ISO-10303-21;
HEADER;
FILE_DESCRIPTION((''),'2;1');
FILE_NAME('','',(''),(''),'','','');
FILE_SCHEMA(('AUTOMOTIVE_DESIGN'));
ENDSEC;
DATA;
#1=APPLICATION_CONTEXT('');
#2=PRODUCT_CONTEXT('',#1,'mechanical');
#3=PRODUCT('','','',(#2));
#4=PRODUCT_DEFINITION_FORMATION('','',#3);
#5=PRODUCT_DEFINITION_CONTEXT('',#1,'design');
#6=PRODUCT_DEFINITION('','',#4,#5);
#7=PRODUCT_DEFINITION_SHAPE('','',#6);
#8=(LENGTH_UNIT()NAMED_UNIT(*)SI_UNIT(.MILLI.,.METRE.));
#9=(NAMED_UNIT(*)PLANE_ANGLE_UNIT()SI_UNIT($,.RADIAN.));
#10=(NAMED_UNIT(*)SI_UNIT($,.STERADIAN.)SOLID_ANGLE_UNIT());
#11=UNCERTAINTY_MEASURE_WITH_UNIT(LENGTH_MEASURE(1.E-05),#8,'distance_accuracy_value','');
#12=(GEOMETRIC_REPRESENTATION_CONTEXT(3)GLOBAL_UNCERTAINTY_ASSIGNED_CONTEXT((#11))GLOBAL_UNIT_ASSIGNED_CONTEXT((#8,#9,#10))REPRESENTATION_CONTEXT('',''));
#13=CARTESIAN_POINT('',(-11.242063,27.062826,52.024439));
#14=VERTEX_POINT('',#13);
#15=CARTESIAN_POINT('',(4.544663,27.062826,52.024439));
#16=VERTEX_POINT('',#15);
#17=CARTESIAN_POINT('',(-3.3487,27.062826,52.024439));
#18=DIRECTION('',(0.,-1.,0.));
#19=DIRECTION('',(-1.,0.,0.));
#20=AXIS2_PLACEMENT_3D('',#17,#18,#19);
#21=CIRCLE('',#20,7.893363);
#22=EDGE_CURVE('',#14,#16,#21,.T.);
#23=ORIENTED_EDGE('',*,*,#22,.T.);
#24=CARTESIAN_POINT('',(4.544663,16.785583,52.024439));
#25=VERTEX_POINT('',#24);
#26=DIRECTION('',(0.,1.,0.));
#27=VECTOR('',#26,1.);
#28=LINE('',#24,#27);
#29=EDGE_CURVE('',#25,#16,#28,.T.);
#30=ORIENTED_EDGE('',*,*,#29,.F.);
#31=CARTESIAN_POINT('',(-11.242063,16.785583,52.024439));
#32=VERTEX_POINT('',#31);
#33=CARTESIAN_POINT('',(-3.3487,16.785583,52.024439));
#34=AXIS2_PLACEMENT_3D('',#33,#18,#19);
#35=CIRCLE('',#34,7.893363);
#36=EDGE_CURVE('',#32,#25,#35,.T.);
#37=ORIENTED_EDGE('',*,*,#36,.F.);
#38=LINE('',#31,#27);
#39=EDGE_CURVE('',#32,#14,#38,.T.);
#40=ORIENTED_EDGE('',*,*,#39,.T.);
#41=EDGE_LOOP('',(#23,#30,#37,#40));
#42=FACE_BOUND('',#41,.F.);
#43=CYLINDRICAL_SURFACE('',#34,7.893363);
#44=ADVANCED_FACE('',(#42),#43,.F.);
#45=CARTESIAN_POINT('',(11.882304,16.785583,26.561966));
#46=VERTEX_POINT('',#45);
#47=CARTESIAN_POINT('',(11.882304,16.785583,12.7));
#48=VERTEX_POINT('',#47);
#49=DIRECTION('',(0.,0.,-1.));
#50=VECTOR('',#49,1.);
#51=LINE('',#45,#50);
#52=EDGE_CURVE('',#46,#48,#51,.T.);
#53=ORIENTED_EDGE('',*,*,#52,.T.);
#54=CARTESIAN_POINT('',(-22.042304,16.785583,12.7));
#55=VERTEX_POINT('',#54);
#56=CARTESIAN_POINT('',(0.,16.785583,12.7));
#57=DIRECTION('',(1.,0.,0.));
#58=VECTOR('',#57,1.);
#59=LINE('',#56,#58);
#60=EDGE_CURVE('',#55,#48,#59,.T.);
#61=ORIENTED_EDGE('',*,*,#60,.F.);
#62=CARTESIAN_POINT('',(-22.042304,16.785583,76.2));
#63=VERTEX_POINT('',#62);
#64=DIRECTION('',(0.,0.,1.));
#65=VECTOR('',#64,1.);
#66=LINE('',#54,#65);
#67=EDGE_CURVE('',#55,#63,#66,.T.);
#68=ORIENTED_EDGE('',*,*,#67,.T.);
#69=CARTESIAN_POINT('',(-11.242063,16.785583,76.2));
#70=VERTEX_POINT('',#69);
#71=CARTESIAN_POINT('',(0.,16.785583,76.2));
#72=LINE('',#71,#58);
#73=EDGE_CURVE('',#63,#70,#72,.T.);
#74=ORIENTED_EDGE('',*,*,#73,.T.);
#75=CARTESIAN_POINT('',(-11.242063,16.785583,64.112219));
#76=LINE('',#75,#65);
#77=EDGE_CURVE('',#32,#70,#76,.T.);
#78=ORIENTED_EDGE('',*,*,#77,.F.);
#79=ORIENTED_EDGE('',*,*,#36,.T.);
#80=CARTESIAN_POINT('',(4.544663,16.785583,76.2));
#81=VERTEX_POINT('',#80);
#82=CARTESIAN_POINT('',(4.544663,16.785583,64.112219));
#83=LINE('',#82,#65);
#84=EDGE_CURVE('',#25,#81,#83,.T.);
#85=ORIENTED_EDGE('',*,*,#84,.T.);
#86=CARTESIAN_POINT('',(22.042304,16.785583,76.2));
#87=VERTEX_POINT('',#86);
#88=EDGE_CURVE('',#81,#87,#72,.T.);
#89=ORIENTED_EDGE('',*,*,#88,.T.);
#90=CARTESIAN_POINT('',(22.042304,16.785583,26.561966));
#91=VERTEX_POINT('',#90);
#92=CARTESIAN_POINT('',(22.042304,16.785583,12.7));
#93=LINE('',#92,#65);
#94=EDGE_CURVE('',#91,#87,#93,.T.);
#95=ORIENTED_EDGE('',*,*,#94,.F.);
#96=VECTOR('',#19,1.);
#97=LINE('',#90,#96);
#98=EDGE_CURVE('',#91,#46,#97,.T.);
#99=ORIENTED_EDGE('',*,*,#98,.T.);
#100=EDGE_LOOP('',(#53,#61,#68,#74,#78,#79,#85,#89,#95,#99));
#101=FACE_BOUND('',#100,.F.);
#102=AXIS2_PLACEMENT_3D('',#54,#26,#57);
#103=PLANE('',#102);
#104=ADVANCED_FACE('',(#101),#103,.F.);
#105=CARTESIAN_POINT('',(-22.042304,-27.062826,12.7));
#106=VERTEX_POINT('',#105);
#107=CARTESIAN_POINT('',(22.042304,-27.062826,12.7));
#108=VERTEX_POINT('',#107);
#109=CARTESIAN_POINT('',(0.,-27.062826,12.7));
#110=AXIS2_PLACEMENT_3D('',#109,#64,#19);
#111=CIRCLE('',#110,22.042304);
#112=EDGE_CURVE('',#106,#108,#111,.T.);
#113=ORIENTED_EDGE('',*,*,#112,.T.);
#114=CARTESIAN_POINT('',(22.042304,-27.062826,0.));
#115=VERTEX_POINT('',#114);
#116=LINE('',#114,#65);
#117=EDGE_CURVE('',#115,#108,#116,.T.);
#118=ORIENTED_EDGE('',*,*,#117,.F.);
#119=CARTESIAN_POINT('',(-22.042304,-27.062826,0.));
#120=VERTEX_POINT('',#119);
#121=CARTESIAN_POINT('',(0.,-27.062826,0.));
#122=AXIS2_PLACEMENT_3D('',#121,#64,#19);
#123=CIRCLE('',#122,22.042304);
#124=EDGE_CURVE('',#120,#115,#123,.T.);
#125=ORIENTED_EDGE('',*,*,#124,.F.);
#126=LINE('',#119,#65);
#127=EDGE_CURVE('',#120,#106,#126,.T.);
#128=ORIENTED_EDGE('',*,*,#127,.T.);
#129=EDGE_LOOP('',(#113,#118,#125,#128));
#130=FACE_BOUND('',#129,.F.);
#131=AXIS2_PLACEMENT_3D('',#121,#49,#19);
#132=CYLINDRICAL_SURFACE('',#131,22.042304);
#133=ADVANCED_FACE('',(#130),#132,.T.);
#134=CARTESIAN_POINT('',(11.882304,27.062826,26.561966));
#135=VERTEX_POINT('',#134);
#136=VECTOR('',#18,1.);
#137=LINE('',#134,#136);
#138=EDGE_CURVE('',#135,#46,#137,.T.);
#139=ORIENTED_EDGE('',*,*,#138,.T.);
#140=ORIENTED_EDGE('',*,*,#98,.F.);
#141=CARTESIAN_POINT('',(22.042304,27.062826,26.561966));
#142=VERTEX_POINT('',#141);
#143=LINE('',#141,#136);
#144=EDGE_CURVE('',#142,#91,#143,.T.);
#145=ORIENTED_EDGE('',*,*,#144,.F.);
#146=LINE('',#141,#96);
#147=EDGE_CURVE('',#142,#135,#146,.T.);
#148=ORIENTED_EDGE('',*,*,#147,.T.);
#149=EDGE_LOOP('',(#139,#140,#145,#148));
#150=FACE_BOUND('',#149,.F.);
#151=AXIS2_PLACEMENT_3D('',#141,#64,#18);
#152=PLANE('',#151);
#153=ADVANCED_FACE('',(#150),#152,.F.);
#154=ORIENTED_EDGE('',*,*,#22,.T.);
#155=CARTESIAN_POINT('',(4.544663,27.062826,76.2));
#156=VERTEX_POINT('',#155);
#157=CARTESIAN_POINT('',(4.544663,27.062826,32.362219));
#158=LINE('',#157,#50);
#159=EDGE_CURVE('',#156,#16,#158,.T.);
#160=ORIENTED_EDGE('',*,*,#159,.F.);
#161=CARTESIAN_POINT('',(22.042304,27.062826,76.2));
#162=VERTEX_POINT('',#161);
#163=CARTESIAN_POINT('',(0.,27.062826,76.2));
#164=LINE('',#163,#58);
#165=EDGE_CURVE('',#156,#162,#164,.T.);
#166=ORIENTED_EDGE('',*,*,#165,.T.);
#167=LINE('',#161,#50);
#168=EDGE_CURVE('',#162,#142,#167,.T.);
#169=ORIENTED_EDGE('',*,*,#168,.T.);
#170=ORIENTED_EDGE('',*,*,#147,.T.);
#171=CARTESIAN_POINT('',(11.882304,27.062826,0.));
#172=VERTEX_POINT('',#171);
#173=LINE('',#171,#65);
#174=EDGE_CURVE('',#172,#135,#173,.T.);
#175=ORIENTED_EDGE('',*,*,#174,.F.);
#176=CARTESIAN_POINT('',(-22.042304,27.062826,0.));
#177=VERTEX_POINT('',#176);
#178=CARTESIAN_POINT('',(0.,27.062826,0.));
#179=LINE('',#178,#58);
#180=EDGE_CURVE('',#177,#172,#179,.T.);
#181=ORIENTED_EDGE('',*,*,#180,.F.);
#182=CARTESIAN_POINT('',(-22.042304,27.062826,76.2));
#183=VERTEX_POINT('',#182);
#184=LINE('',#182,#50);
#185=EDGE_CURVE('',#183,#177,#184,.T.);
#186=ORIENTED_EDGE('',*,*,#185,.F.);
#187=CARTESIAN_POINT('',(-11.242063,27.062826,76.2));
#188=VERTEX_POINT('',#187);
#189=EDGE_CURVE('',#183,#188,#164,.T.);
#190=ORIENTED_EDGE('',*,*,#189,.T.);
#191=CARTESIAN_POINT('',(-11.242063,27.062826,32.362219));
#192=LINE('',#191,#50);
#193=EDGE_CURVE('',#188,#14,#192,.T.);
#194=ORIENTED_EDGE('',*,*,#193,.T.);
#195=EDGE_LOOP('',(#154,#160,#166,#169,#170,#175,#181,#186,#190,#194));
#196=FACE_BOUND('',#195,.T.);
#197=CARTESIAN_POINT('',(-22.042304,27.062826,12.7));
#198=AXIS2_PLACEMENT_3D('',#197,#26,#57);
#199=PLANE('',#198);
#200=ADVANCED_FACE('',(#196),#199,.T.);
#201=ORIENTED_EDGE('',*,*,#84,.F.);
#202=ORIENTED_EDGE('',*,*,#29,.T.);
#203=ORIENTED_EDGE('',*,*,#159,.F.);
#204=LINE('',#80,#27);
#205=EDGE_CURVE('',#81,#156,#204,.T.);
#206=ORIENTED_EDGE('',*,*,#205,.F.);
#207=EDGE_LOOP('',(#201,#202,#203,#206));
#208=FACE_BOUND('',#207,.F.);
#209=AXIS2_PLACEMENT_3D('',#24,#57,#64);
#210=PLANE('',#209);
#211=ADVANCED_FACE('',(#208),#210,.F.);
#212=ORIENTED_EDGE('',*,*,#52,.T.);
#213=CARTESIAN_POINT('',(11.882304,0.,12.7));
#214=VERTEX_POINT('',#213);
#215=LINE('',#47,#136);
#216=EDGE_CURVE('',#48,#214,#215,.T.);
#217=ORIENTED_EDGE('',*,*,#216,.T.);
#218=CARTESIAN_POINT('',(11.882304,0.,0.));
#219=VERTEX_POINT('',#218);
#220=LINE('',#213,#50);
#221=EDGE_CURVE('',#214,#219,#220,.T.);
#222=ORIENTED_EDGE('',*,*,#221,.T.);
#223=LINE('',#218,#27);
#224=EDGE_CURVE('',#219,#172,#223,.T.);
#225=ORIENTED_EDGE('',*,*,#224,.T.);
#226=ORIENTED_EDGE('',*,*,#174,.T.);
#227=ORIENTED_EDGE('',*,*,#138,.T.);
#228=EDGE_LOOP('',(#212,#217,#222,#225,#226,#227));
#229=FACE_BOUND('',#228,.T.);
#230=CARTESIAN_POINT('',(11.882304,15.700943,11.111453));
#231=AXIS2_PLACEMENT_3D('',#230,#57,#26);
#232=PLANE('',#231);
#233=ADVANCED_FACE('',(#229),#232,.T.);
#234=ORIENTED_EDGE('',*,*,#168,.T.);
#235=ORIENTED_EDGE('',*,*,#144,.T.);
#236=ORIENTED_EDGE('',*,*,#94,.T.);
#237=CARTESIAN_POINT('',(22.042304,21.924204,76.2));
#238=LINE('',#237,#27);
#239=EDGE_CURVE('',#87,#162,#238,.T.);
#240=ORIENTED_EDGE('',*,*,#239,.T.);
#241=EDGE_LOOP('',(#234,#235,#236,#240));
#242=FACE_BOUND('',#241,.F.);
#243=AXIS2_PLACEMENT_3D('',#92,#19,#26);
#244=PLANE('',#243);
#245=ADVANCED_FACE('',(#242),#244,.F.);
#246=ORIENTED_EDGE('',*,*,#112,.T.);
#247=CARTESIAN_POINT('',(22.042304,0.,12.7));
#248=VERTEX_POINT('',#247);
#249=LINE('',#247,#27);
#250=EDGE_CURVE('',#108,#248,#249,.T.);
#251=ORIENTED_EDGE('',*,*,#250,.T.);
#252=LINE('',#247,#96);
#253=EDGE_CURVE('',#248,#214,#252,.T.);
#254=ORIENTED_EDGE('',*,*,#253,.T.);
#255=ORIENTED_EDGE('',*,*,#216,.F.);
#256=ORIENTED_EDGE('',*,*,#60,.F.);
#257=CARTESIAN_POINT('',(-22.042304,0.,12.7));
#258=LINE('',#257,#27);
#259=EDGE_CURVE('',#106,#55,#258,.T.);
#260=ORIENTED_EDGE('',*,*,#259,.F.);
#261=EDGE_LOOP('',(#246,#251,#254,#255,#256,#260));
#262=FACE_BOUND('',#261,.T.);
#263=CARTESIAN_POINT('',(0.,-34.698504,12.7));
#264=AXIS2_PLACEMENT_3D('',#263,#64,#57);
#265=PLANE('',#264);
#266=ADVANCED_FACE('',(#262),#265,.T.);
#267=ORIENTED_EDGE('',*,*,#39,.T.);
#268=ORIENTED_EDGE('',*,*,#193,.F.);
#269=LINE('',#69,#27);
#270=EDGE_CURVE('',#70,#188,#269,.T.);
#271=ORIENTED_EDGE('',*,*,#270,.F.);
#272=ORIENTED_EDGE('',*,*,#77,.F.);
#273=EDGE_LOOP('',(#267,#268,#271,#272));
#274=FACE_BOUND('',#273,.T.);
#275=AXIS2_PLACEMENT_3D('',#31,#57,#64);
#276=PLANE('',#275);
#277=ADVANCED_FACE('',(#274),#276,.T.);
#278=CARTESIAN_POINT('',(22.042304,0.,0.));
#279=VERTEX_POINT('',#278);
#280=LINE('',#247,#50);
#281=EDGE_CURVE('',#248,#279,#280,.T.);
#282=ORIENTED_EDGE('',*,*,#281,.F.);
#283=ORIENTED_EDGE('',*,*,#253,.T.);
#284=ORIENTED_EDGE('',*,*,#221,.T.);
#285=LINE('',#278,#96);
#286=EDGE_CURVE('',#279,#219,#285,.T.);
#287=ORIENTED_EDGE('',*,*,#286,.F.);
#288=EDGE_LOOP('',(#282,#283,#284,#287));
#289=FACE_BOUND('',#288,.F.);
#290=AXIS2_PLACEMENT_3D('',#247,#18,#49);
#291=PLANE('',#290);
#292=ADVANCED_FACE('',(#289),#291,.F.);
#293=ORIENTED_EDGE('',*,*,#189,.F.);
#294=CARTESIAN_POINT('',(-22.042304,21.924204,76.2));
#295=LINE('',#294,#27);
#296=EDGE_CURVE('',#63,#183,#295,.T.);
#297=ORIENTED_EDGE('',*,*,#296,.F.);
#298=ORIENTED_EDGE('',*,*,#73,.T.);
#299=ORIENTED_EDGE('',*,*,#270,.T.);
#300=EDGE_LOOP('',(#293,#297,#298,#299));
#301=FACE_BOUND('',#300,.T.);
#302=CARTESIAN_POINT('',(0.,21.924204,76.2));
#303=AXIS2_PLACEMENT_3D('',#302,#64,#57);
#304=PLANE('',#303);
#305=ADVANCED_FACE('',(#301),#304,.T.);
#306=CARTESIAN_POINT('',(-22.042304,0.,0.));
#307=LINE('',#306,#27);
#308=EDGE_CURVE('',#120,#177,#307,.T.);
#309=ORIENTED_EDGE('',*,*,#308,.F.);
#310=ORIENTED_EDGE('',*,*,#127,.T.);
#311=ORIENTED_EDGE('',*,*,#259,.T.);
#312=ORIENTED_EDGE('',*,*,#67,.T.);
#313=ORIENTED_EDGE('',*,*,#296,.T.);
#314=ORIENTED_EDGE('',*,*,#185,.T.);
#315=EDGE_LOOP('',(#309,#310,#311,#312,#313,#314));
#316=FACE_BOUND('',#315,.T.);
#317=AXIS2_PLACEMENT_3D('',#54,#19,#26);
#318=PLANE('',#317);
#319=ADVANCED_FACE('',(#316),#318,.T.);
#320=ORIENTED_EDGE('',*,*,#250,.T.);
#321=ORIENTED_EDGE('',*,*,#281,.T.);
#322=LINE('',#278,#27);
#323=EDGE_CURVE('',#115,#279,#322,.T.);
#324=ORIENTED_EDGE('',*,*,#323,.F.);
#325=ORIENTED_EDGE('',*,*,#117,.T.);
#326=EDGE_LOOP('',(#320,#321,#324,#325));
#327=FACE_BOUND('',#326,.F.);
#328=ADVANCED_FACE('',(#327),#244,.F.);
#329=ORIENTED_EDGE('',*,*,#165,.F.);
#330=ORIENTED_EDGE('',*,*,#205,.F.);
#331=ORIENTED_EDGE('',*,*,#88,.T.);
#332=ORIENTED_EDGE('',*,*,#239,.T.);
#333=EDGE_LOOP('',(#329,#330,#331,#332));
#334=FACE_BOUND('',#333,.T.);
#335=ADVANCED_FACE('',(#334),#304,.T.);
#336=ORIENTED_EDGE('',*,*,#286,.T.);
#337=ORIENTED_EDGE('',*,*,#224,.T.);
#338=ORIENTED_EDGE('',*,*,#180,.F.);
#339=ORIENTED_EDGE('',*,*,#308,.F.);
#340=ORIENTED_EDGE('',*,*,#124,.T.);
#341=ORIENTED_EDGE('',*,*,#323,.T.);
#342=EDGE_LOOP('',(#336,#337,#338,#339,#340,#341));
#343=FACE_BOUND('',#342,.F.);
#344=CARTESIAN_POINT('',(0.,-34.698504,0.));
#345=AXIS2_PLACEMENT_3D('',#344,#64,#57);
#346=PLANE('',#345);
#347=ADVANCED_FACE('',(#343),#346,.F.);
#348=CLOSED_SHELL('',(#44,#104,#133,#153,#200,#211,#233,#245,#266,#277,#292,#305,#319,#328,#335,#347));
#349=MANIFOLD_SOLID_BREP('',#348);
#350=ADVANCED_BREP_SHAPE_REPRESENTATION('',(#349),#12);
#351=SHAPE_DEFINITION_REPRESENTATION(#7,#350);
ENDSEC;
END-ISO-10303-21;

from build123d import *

# Parameters (mm, degrees)
F0_W     = 44.0846085548
F0_H     = 54.1256517172
F1_DEPTH = 12.7
F2_W     = 44.0846085548
F2_H     = 10.2772433311
F3_DEPTH = 63.5
F5_DEPTH = 10.16
F6_W     = 15.7867255621
F6_H     = 24.1755610228
F7_DEPTH = 10.2782433311


with BuildPart() as f1:
    # F0 (on Top) → F1 (new body)
    with BuildSketch(Plane.XY):
        with BuildLine():
            ThreePointArc((-22.0423042774, -27.0628258586), (0, -49.105130136), (22.0423042774, -27.0628258586))
            Line((22.0423042774, -27.0628258586), (-22.0423042774, -27.0628258586))
        make_face()
        Rectangle(F0_W, F0_H)
    extrude(amount=F1_DEPTH)

    # F2 (on face) → F3 (join)
    with BuildSketch(Plane.XY.offset(12.7)):
        with Locations((0, 21.9242041931)):
            Rectangle(F2_W, F2_H)
    extrude(amount=F3_DEPTH)

    # F4 (on face) → F5 (cut)
    with BuildSketch(Plane.YZ.offset(22.0423042774)):
        Polygon((16.7855825275, 12.7), (0, 12.7), (0, 0), (27.0628258586, 0), (27.0628258586, 26.5619661659), (16.7855825275, 26.5619661659), align=None)
    extrude(amount=-F5_DEPTH, mode=Mode.SUBTRACT)

    # F6 (on face) → F7 (cut, through all)
    with BuildSketch(Plane.XZ.offset(-16.7855825275)):
        with BuildLine():
            Line((4.5446627773, 52.0244389772), (-11.2420627847, 52.0244389772))
            ThreePointArc((-11.2420627847, 52.0244389772), (-3.3487000037, 44.1310761962), (4.5446627773, 52.0244389772))
        make_face()
        with Locations((-3.3487000037, 64.1122194886)):
            Rectangle(F6_W, F6_H)
    extrude(amount=-F7_DEPTH, mode=Mode.SUBTRACT)


solid = f1.part
